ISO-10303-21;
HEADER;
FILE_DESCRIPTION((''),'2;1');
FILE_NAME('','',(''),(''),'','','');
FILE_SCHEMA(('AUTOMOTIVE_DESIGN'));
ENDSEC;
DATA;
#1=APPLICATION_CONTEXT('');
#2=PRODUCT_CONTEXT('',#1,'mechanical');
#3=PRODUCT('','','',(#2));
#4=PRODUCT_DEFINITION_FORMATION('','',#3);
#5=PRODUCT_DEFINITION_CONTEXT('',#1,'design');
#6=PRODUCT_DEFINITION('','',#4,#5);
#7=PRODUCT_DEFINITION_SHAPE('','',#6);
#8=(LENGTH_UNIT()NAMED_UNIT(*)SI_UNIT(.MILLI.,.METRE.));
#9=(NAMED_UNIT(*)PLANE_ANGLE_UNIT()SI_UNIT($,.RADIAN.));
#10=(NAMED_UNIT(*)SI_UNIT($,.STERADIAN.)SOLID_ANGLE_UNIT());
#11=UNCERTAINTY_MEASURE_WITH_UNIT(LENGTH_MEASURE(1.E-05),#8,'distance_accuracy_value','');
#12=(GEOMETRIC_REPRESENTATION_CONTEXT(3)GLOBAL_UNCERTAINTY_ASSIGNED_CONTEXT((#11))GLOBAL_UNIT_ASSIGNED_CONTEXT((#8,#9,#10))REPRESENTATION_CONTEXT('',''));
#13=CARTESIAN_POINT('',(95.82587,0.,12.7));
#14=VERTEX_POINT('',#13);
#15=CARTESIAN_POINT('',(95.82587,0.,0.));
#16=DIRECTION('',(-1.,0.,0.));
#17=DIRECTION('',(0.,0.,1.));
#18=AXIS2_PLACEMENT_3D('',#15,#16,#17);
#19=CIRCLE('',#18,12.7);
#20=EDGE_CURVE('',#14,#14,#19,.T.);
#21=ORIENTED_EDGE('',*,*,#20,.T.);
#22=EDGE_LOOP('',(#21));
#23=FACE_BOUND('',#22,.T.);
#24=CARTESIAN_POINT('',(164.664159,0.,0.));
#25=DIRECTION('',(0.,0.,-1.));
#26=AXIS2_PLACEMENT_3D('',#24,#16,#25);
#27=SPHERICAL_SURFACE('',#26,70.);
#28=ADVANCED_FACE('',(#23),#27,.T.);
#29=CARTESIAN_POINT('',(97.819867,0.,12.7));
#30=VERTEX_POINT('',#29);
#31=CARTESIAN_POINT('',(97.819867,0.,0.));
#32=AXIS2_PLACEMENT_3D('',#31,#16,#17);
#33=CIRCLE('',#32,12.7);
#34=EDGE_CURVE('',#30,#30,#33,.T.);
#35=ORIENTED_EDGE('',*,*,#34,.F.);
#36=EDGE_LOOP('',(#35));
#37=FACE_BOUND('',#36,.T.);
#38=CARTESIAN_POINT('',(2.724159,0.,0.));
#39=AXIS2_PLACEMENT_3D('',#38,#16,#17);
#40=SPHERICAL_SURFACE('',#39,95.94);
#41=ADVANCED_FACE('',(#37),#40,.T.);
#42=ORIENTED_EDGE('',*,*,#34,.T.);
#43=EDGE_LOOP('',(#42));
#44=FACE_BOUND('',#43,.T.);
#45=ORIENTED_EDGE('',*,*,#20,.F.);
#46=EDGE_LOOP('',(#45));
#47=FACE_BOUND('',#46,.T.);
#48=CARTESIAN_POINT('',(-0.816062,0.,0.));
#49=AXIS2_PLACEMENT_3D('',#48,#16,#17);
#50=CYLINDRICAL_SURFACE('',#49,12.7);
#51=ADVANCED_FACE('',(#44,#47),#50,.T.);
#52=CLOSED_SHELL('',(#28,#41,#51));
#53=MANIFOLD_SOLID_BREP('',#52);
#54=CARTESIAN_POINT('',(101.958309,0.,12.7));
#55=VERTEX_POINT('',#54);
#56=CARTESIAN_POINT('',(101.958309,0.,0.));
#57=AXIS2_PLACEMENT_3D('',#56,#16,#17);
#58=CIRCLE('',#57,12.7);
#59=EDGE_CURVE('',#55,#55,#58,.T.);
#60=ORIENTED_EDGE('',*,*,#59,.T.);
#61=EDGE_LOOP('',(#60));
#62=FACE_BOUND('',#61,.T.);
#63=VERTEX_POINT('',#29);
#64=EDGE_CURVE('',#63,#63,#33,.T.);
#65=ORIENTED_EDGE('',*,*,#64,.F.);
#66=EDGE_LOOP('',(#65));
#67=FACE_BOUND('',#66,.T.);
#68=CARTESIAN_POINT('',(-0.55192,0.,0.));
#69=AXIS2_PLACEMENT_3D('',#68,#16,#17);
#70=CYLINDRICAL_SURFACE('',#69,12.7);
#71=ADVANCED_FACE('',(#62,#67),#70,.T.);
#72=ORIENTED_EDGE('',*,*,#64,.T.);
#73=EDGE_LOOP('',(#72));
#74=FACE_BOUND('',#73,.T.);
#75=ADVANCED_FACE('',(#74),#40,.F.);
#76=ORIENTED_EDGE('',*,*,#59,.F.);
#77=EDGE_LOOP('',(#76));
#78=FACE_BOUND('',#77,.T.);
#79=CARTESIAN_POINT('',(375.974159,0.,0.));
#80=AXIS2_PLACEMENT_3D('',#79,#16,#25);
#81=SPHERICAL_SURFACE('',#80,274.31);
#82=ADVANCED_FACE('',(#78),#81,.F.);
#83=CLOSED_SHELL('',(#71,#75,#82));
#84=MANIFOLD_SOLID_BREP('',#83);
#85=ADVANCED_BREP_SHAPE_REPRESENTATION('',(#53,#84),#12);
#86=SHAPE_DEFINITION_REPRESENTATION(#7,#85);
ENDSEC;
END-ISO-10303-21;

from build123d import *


with BuildPart() as part:
    # 草图1 one side → 旋转1 (revolve)
    with BuildSketch(Plane(origin=(0, 0, 0), x_dir=(1, 0, 0), z_dir=(0, 1, 0)), mode=Mode.PRIVATE) as revolve_1_sk:
        with BuildLine():
            ThreePointArc((95.825870489, 12.7), (94.955192063, 6.376511056), (94.664159254, 0))
            Line((94.664159254, 0), (98.664159254, 0))
            ThreePointArc((98.664159254, 0), (98.45285345, 6.364016611), (97.819866833, 12.7))
            Line((97.819866833, 12.7), (95.825870489, 12.7))
        make_face()
    revolve(revolve_1_sk.sketch.rotate(Axis((-0.816062176, 0, 0), (1, 0, 0)), 180), axis=Axis((-0.816062176, 0, 0), (1, 0, 0)))  # turned: the seam where the file's is


with BuildPart() as body_2:
    # 草图2 one side → 旋转2 (revolve)
    with BuildSketch(Plane(origin=(0, 0, 0), x_dir=(1, 0, 0), z_dir=(0, 1, 0)), mode=Mode.PRIVATE) as revolve_2_sk:
        with BuildLine():
            Line((101.958309165, 12.7), (97.819866833, 12.7))
            ThreePointArc((97.819866833, 12.7), (98.45285345, 6.364016611), (98.664159254, 0))
            Line((98.664159254, 0), (101.664159254, 0))
            ThreePointArc((101.664159254, 0), (101.737706591, 6.351703003), (101.958309165, 12.7))
        make_face()
    revolve(revolve_2_sk.sketch.rotate(Axis((-0.551919993, 0, 0), (1, 0, 0)), 180), axis=Axis((-0.551919993, 0, 0), (1, 0, 0)))  # turned: the seam where the file's is


solid = Compound([part.part, body_2.part])
